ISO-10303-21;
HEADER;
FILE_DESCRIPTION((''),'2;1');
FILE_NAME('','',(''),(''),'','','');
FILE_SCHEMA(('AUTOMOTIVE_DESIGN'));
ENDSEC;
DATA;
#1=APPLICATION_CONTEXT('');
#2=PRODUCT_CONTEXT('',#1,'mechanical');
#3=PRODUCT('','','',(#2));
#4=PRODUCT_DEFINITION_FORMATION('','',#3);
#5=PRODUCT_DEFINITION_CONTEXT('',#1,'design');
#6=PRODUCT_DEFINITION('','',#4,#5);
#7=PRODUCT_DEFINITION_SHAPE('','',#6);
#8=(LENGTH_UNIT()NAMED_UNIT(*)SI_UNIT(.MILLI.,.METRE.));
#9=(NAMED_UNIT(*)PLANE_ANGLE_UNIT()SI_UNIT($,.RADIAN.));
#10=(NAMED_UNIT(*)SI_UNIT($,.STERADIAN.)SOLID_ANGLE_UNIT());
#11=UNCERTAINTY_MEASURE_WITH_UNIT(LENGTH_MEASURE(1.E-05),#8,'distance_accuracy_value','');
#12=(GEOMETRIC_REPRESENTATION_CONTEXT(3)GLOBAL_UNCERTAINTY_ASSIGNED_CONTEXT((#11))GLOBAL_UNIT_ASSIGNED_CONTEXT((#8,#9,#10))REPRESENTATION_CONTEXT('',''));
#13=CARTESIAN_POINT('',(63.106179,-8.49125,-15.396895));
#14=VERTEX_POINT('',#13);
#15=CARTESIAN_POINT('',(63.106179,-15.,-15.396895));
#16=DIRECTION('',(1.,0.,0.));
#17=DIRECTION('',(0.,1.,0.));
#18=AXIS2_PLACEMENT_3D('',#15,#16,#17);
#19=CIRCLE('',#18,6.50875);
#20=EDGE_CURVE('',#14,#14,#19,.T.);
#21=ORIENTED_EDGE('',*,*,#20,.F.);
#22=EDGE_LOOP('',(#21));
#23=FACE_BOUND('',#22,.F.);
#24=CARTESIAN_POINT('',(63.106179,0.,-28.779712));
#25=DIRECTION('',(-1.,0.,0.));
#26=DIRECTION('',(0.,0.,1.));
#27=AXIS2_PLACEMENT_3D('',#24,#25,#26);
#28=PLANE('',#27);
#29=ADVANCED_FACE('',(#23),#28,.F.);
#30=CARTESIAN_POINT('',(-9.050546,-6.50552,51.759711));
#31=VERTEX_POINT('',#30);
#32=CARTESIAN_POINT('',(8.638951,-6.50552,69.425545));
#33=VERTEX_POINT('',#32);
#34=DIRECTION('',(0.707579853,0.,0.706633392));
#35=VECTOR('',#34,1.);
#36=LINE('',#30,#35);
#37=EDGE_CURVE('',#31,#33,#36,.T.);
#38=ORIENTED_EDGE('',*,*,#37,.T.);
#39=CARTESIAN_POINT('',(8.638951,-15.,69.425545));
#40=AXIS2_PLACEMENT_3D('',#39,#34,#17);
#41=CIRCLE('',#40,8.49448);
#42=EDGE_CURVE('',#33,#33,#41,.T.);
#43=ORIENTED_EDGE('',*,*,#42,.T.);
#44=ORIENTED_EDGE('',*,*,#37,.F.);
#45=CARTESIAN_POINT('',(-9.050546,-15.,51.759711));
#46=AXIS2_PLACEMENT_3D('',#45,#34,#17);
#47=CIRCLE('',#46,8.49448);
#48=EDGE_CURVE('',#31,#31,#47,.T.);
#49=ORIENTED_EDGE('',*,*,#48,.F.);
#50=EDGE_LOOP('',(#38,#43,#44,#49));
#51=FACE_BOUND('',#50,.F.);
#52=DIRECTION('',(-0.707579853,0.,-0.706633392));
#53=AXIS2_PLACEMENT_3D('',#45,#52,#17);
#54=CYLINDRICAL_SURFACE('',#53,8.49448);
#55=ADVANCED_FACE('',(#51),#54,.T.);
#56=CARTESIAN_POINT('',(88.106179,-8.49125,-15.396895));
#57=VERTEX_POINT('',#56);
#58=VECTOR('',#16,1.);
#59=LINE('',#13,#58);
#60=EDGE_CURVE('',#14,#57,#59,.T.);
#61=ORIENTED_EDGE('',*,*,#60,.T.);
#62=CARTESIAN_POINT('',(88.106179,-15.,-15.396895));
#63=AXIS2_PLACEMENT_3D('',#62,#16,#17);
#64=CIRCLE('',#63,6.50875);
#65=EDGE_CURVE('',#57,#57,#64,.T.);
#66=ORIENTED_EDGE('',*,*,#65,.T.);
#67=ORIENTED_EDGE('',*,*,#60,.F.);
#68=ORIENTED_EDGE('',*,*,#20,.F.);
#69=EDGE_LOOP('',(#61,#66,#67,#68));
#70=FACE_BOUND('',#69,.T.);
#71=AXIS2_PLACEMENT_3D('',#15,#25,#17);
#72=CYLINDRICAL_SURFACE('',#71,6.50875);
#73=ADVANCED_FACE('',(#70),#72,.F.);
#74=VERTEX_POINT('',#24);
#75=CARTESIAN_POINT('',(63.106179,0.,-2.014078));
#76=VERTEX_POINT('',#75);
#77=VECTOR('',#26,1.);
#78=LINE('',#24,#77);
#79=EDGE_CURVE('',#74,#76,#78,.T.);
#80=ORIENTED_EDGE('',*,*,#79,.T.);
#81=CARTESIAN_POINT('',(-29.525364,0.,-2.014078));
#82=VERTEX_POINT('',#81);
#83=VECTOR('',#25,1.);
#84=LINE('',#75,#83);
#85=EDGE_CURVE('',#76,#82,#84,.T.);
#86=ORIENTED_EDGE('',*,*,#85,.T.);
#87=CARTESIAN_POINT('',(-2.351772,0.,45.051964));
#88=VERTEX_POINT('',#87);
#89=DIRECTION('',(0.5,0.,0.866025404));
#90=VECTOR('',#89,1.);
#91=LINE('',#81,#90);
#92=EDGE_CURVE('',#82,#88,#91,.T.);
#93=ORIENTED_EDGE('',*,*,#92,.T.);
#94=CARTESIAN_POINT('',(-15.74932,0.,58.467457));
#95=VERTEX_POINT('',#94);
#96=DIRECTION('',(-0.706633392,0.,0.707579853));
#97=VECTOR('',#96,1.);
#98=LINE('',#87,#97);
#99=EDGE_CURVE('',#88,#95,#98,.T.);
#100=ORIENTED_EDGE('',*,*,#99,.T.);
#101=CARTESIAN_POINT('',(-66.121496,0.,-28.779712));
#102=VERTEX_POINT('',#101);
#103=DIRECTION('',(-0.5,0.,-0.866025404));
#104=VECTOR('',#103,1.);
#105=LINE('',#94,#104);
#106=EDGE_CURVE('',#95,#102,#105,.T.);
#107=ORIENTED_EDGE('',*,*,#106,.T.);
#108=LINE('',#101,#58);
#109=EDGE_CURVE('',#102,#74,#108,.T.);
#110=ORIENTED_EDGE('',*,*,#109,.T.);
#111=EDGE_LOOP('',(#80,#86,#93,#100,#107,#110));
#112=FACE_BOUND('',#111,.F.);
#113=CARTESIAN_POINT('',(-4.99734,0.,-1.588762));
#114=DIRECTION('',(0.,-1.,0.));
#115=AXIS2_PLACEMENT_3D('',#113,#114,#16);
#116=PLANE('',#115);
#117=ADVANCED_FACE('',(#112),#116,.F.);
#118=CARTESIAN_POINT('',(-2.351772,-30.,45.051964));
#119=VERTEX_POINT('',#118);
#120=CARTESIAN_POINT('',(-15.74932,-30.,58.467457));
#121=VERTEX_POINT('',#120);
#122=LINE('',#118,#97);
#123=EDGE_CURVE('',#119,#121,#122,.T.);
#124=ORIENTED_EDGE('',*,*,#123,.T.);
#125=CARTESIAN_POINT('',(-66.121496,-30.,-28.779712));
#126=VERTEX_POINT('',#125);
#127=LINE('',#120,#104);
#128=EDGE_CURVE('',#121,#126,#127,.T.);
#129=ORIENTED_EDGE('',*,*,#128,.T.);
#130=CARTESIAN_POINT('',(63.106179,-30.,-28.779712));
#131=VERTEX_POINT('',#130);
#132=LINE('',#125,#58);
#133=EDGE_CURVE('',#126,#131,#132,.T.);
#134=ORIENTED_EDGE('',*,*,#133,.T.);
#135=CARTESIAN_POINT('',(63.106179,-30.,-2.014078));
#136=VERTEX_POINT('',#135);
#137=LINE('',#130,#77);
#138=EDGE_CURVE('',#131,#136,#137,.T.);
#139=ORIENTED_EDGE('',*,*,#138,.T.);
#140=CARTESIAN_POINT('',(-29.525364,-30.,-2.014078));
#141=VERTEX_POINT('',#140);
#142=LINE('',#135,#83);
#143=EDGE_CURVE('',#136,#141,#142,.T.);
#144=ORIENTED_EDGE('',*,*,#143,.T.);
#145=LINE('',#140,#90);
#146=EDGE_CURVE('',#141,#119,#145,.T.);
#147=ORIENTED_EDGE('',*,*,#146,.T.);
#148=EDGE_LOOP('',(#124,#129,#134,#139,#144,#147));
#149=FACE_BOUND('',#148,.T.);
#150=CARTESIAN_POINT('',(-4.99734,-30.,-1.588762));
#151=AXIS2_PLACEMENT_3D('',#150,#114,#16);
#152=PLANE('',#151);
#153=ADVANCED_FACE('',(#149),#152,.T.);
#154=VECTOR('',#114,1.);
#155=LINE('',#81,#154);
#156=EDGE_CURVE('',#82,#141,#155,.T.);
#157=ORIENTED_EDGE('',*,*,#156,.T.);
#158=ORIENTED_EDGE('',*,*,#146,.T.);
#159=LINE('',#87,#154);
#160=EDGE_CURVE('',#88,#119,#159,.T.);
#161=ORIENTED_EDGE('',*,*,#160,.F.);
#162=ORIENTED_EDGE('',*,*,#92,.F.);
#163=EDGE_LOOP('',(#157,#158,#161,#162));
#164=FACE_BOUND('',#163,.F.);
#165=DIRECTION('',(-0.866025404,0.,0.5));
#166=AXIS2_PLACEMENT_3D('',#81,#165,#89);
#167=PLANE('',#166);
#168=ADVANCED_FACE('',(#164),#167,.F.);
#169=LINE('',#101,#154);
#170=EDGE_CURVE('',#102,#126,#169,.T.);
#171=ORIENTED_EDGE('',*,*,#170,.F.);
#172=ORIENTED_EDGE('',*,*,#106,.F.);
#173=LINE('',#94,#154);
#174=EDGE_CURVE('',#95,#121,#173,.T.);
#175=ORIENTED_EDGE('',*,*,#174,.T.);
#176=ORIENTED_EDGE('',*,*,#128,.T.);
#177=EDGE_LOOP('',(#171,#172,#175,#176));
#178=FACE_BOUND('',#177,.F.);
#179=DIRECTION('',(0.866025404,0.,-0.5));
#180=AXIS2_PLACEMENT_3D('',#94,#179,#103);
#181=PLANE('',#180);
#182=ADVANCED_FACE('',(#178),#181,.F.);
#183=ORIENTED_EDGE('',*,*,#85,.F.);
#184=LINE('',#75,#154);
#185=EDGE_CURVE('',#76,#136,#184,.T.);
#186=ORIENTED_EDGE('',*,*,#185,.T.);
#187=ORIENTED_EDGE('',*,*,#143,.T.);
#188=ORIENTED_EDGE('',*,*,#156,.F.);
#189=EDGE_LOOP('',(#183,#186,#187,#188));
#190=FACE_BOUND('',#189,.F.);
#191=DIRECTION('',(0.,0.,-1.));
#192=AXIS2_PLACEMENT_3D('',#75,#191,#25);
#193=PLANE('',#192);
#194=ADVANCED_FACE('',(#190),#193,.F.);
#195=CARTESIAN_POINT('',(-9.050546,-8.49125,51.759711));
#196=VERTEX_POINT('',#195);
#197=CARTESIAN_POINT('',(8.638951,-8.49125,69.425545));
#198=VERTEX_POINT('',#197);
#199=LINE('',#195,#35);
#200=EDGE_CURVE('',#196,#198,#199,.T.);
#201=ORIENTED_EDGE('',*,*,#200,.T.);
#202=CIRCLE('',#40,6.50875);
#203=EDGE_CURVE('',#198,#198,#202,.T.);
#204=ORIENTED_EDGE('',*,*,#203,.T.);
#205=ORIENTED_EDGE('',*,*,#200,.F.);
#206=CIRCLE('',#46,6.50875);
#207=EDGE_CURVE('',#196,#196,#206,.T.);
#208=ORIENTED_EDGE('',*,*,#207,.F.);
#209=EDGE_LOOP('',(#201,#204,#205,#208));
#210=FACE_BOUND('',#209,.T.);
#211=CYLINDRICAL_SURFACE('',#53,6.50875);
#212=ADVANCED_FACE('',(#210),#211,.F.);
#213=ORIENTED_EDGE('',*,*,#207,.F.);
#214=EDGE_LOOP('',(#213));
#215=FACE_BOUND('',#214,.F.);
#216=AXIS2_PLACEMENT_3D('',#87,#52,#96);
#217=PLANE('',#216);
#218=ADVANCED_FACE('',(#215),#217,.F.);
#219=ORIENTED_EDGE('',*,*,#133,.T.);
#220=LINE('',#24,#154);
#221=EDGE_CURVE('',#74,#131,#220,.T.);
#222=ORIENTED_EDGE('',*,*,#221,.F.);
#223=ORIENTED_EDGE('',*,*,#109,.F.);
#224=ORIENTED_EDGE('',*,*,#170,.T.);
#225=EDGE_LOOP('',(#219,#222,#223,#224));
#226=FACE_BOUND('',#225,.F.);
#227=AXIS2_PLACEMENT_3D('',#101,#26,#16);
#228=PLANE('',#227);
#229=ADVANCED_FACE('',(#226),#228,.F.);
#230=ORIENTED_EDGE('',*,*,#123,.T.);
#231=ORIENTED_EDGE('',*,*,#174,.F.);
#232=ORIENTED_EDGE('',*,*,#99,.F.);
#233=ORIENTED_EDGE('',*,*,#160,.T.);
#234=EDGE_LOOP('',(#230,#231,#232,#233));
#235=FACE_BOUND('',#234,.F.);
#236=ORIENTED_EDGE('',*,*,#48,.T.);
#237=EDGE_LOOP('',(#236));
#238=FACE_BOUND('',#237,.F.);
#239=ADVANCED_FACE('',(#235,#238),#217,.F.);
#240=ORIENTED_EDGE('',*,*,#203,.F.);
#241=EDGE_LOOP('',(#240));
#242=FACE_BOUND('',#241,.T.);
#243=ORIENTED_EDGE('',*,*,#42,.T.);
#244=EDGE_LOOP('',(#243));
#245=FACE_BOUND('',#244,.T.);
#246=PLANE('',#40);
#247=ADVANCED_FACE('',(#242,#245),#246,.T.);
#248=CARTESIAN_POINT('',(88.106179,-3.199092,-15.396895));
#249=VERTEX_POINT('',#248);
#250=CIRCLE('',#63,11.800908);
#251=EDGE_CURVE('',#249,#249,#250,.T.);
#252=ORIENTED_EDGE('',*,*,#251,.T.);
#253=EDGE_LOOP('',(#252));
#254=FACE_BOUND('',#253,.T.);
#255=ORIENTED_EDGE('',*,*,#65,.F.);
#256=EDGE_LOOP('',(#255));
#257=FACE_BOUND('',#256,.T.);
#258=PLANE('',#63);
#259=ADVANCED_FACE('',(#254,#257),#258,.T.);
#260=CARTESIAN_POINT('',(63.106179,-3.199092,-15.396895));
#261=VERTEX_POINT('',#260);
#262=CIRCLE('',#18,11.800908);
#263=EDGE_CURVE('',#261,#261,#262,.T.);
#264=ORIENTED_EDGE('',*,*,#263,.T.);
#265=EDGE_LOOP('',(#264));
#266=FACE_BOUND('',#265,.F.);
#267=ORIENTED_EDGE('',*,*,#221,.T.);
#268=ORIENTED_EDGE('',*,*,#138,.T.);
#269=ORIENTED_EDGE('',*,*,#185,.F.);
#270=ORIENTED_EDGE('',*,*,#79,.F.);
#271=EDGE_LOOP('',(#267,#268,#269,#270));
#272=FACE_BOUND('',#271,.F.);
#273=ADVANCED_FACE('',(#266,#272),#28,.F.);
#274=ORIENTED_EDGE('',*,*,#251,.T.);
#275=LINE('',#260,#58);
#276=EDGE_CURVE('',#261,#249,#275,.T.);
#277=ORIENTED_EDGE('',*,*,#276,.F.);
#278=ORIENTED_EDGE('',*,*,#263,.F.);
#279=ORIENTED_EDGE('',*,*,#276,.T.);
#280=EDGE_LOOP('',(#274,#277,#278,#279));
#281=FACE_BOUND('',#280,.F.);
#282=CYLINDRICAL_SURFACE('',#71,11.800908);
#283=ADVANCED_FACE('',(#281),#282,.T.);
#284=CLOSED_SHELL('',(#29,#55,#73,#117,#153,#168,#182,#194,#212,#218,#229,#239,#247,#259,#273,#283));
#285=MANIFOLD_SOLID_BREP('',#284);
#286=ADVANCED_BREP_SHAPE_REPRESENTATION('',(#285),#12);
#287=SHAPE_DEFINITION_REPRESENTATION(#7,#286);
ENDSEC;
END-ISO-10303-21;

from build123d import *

# Parameters (mm, degrees)
F1_DEPTH = 30
F2_R     = 8.4944799553
F2_R_2   = 6.50875
F3_DEPTH = 25
F4_R     = 11.8009083685
F4_R_2   = 6.50875
F5_DEPTH = 25


with BuildPart() as f1:
    # F0 (on Front) → F1 (new body)
    with BuildSketch(Plane.XZ):
        Polygon((-2.3517715285, 45.0519641835), (-15.7493199024, 58.4674571651), (-66.1214962602, -28.7797115743), (63.1061792374, -28.7797115743), (63.1061792374, -2.0140784685), (-29.5253639234, -2.0140784685), align=None)
    extrude(amount=F1_DEPTH)

    # F2 (on face) → F3 (join)
    with BuildSketch(Plane(origin=(21.3485022284, 0, 21.3199464014), x_dir=(0, 1, 0), z_dir=(0.7075798534, 0, 0.7066333923))):
        with Locations((-15, 43.0195463119)):
            Circle(F2_R)
        with Locations((-15, 43.0195463119)):
            Circle(F2_R_2, mode=Mode.SUBTRACT)
    extrude(amount=F3_DEPTH)

    # F4 (on face) → F5 (join)
    with BuildSketch(Plane.YZ.offset(63.1061792374)):
        with Locations((-15, -15.3968950214)):
            Circle(F4_R)
        with Locations((-15, -15.3968950214)):
            Circle(F4_R_2, mode=Mode.SUBTRACT)
    extrude(amount=F5_DEPTH)


solid = f1.part
